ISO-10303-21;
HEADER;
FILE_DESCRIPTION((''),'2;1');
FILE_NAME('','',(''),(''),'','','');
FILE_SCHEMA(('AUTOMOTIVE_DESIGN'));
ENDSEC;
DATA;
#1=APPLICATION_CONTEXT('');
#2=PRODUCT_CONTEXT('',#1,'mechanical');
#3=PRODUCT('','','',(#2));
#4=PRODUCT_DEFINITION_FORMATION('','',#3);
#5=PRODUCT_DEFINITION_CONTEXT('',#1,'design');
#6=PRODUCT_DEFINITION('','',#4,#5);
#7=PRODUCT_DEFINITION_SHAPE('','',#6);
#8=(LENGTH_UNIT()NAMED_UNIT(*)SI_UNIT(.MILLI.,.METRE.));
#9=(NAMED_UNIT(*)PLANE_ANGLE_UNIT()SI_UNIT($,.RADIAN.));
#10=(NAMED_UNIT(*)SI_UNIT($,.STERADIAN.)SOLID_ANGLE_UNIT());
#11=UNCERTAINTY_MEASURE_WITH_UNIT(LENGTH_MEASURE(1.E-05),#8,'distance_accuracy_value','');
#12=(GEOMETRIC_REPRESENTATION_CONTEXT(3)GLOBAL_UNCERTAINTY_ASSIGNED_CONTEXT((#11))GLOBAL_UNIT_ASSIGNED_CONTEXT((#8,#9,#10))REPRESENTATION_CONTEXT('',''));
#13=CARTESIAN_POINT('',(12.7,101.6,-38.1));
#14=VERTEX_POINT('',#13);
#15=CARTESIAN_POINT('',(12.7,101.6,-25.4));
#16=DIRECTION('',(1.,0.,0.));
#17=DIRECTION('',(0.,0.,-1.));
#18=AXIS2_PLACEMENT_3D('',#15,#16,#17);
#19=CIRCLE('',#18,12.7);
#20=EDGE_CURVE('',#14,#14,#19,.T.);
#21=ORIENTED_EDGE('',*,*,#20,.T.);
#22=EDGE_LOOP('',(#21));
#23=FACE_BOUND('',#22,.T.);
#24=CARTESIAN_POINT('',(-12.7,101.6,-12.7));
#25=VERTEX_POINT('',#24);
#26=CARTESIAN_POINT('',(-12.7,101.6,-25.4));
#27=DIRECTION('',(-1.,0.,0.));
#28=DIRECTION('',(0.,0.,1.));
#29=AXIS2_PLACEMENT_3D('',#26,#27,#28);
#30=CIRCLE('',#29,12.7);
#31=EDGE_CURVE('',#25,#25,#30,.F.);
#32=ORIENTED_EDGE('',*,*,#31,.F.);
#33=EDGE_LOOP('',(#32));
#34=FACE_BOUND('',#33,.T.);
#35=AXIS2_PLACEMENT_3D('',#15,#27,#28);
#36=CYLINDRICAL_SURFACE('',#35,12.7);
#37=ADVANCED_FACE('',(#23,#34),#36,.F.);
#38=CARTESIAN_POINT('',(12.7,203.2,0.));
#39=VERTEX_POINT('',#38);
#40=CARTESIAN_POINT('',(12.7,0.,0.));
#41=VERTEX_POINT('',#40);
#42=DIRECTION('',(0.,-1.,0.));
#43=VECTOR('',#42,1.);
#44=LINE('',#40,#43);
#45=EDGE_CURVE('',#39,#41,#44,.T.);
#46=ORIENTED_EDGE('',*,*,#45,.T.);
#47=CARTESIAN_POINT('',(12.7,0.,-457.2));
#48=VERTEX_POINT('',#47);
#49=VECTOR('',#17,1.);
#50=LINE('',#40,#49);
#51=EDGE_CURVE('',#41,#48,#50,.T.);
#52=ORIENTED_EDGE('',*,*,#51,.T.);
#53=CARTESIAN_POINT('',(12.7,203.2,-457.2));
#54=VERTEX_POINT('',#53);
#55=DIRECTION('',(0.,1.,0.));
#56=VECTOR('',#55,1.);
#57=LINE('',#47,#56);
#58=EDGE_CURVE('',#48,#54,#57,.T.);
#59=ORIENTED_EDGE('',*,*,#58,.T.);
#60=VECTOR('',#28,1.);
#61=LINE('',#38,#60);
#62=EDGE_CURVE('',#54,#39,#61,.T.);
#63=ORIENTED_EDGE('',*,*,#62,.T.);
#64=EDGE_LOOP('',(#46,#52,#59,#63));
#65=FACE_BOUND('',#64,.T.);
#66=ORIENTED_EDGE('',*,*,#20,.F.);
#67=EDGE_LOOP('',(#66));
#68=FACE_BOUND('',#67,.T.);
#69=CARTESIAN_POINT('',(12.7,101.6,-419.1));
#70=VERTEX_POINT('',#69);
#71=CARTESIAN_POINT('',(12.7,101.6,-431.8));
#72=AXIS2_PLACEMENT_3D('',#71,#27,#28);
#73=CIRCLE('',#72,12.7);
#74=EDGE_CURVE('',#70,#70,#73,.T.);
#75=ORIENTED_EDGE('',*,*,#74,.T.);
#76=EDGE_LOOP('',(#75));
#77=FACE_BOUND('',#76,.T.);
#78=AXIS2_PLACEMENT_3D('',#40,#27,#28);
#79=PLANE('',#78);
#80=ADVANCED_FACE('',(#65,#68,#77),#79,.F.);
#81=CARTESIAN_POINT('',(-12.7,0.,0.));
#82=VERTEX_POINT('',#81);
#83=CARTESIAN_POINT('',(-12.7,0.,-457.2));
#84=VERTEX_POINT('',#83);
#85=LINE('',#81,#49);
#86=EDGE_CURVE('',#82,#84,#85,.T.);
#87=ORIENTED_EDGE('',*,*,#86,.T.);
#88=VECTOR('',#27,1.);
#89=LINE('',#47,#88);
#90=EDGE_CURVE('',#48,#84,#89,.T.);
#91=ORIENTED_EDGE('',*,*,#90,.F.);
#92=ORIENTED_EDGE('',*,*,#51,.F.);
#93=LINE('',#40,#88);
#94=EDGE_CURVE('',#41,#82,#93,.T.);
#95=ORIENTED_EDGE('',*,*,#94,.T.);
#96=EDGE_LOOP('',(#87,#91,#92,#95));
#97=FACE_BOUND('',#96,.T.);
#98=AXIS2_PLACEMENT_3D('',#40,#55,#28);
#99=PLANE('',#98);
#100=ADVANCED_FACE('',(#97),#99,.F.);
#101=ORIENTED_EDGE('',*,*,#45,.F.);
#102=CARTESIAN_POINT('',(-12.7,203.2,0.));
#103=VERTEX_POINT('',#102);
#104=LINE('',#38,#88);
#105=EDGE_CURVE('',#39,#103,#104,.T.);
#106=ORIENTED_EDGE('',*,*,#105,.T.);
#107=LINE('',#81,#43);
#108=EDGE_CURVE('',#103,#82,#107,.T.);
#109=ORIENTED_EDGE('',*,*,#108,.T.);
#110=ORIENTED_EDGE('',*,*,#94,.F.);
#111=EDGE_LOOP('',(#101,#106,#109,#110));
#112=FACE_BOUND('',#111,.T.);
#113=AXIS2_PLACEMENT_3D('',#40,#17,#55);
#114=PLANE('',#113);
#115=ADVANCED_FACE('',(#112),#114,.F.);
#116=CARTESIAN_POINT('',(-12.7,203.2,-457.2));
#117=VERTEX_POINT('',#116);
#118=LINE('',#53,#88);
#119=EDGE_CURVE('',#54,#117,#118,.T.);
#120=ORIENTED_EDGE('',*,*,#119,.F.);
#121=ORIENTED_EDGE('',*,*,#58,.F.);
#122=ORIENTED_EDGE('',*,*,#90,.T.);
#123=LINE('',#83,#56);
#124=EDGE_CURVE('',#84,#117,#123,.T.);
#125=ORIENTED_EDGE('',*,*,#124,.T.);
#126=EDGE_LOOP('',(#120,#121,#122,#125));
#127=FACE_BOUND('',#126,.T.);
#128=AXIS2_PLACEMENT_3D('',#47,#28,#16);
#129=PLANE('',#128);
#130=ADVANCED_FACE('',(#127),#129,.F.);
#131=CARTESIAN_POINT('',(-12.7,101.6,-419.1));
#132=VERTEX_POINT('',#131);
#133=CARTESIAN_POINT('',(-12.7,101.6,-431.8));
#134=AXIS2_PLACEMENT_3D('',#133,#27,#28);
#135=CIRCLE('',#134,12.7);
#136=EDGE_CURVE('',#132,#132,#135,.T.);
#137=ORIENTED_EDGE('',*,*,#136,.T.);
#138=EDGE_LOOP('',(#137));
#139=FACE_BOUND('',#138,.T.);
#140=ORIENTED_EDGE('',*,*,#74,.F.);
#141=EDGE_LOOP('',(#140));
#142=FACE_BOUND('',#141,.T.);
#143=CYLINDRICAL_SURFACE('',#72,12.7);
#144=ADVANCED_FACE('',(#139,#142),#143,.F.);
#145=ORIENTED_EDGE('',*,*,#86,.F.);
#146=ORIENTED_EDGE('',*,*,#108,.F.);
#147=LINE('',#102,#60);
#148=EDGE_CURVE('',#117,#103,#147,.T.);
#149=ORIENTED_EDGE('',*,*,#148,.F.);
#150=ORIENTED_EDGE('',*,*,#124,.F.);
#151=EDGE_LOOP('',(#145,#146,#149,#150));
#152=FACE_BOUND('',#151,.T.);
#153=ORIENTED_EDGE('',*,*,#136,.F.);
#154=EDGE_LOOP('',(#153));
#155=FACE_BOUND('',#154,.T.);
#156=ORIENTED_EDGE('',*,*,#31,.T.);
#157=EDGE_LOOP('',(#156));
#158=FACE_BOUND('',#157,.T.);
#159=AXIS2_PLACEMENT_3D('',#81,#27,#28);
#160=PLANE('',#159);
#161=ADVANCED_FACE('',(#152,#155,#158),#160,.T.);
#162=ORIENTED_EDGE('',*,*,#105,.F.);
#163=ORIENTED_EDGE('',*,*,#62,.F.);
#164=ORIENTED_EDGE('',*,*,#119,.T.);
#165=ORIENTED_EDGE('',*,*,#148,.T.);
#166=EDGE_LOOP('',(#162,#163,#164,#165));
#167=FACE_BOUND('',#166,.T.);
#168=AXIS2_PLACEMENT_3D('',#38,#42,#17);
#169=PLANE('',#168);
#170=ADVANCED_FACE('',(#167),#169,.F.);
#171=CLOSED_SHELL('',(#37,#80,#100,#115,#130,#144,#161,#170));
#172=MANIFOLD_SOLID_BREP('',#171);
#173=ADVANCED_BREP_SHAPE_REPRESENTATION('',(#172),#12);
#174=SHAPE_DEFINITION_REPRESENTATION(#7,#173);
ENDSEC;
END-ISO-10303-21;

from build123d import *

# Parameters (mm, degrees)
SKETCH1_W           = 457.2
SKETCH1_H           = 203.2
BOSS_EXTRUDE1_DEPTH = 12.7
CUT_EXTRUDE1_START  = -26.4
SKETCH2_R           = 12.7
CUT_EXTRUDE1_DEPTH  = 27.4


with BuildPart() as part:
    # Sketch1 → Boss-Extrude1 (new body, symmetric)
    with BuildSketch(Plane(origin=(0, 0, 0), x_dir=(0, 0, -1), z_dir=(1, 0, 0))):
        with Locations((228.6, 101.6)):
            Rectangle(SKETCH1_W, SKETCH1_H)
    extrude(amount=BOSS_EXTRUDE1_DEPTH, both=True)

    # Sketch2 → Cut-Extrude1 (cut)
    with BuildSketch(Plane.ZY.offset(12.7).offset(CUT_EXTRUDE1_START)):
        with Locations((-431.8, 101.6)):
            Circle(SKETCH2_R)
    cut_extrude1 = extrude(amount=CUT_EXTRUDE1_DEPTH, mode=Mode.SUBTRACT)

    # Mirror3: Cut-Extrude1 across plane
    add(cut_extrude1.mirror(Plane.XY.offset(-228.6)), mode=Mode.SUBTRACT)


solid = part.part
